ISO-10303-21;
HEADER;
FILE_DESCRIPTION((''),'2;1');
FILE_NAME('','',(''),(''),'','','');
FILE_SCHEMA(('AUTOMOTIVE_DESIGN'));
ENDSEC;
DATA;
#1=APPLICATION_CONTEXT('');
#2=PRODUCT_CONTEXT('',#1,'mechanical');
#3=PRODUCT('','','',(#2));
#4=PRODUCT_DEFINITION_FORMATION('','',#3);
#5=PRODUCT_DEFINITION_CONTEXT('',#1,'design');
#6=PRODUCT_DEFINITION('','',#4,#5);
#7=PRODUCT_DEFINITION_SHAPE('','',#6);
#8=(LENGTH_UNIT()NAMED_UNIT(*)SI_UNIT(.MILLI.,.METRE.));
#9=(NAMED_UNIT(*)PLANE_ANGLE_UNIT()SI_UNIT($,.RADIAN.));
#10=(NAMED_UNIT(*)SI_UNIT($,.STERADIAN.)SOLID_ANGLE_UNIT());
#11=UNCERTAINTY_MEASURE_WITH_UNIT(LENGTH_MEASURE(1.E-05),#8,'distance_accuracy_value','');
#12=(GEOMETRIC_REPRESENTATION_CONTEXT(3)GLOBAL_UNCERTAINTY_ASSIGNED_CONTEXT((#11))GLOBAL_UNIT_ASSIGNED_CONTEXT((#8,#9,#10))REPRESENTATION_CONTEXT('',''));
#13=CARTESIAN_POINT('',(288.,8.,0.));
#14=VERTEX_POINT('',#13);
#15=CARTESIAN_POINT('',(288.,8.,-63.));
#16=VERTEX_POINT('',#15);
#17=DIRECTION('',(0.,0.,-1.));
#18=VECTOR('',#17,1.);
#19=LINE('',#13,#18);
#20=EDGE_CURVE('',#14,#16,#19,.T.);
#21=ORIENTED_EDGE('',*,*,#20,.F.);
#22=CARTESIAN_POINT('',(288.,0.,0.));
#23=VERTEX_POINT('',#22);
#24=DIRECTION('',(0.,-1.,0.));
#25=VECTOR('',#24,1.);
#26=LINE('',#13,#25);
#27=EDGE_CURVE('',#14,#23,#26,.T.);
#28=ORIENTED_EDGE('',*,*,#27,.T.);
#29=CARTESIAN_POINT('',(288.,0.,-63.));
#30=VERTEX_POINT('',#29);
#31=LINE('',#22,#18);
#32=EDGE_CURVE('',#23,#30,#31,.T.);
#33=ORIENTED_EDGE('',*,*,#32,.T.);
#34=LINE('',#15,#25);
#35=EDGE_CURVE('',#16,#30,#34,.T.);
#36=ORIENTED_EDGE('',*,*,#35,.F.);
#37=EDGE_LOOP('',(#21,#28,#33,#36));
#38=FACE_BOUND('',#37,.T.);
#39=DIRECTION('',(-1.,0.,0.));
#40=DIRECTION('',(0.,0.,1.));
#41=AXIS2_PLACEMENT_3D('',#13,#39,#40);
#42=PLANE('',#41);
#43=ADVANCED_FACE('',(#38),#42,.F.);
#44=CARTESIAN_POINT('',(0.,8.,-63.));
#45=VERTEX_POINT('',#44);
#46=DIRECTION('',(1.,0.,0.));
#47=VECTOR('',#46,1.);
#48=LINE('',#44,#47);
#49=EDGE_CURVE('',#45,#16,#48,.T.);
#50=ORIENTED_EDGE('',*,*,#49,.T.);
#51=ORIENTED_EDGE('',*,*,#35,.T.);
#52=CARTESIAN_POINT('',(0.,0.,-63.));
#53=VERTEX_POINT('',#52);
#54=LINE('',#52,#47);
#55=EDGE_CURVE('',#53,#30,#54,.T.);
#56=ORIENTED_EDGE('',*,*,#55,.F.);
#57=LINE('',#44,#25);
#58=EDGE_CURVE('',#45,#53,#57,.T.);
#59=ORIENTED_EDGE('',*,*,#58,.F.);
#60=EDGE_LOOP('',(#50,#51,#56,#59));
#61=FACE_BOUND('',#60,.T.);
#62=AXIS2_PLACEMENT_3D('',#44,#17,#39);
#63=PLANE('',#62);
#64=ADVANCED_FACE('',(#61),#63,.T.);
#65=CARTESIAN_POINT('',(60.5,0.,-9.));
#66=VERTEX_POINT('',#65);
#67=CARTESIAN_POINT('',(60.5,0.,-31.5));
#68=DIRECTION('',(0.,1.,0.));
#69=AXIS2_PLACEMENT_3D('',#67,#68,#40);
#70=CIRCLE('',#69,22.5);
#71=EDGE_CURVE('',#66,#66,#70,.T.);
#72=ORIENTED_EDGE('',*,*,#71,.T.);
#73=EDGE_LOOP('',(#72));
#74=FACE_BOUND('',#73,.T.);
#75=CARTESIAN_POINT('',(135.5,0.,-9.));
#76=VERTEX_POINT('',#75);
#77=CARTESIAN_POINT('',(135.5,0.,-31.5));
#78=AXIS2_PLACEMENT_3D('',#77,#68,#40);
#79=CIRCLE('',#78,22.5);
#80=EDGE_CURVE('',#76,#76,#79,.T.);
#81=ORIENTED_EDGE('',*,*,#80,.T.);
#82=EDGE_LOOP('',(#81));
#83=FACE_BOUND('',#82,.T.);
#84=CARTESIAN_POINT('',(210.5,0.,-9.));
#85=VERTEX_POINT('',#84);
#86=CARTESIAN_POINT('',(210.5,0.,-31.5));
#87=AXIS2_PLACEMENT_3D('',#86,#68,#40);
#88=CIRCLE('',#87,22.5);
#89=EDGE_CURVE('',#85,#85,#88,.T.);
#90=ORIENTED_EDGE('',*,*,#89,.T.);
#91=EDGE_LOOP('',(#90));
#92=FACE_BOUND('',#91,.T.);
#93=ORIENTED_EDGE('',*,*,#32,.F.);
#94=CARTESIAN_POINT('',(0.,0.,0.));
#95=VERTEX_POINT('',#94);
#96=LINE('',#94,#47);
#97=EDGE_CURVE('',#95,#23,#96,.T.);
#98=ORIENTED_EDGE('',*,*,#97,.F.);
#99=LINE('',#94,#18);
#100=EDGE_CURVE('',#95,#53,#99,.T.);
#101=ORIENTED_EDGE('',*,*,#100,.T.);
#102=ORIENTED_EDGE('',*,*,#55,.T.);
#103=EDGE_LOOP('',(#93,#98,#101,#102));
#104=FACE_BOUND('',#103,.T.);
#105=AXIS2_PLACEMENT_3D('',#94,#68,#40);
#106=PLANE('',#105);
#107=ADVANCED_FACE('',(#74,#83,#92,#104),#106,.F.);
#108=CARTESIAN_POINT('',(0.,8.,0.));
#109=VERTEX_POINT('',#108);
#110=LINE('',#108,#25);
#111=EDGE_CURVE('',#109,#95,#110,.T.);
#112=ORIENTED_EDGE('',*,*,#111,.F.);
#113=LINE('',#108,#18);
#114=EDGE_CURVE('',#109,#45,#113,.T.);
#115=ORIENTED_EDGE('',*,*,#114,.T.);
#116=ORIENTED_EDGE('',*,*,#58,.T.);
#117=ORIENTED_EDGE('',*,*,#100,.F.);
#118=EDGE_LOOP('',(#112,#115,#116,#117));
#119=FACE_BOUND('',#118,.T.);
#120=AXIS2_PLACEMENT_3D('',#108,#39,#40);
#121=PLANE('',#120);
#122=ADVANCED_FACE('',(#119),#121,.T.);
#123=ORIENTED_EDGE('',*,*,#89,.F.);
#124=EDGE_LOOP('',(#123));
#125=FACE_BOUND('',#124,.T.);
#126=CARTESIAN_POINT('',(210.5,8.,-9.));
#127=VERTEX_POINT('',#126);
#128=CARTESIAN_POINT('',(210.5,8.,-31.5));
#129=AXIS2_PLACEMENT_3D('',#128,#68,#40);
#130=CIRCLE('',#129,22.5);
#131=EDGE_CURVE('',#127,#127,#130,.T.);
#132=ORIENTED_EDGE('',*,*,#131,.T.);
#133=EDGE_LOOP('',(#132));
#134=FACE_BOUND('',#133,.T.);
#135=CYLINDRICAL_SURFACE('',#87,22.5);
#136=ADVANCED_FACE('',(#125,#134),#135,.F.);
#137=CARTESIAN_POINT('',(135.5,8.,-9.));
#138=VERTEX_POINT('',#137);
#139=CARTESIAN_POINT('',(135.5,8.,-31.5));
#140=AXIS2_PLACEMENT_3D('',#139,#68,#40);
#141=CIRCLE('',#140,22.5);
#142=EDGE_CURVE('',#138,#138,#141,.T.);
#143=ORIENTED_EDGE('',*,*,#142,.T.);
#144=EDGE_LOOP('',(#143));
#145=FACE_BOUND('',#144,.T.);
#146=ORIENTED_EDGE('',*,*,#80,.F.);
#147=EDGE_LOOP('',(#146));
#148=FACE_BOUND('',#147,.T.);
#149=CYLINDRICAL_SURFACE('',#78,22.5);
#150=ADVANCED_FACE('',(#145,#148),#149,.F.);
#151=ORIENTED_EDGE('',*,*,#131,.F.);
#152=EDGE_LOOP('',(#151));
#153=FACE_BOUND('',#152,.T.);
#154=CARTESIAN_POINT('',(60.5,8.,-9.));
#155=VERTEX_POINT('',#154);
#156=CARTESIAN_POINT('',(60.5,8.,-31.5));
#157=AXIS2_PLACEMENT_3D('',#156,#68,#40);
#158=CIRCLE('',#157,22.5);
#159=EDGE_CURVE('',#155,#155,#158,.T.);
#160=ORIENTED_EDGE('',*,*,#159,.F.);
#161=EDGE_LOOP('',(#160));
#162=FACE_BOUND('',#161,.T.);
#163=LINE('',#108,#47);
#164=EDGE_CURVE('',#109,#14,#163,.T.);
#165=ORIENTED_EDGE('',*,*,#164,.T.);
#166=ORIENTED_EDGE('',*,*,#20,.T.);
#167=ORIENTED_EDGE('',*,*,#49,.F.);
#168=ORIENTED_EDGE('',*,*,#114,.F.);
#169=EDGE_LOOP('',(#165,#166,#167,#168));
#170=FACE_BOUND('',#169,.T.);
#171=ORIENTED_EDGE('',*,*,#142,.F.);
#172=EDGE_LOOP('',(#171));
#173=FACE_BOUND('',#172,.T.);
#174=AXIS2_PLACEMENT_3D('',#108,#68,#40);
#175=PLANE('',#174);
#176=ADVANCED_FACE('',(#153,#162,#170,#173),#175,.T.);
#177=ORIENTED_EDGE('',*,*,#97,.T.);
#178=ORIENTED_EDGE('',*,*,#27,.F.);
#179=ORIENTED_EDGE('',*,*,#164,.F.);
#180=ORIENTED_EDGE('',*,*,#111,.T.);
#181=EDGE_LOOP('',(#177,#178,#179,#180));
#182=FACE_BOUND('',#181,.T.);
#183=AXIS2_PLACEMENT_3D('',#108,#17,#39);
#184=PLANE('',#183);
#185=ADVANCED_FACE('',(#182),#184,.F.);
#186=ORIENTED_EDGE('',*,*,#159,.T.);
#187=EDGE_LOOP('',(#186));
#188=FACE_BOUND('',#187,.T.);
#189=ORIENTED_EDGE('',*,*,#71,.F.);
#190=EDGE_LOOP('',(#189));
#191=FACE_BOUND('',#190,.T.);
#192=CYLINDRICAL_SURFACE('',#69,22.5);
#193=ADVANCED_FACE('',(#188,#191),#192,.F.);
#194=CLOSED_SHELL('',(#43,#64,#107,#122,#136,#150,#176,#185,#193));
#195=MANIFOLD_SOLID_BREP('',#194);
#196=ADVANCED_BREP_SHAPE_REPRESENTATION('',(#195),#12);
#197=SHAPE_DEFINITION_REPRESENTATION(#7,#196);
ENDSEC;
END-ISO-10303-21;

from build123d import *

# Parameters (mm, degrees)
SKETCH_1_W          = 288
SKETCH_1_H          = 63
EXTRUDE_1_DEPTH     = 8
SKETCH_2_R          = 22.5
CUT_EXTRUDE_1_DEPTH = 8
SKETCH_2_3_R        = 22.5
CUT_EXTRUDE_2_DEPTH = 8
SKETCH_2_4_R        = 22.5
CUT_EXTRUDE_3_DEPTH = 8


with BuildPart() as part:
    # Эскиз1 → Бобышка-Вытянуть1 (new body)
    with BuildSketch(Plane(origin=(0, 0, 0), x_dir=(1, 0, 0), z_dir=(0, 1, 0))):
        with Locations((144, 31.5)):
            Rectangle(SKETCH_1_W, SKETCH_1_H)
    extrude(amount=EXTRUDE_1_DEPTH)

    # Эскиз2 → Вырез-Вытянуть1 (cut)
    with BuildSketch(Plane(origin=(0, 8, 0), x_dir=(1, 0, 0), z_dir=(0, 1, 0))):
        with Locations((60.5, 31.5)):
            Circle(SKETCH_2_R)
    extrude(amount=-CUT_EXTRUDE_1_DEPTH, mode=Mode.SUBTRACT)

    # Эскиз2<3> → Вырез-Вытянуть2 (cut)
    with BuildSketch(Plane(origin=(0, 8, 0), x_dir=(1, 0, 0), z_dir=(0, 1, 0))):
        with Locations((135.5, 31.5)):
            Circle(SKETCH_2_3_R)
    extrude(amount=-CUT_EXTRUDE_2_DEPTH, mode=Mode.SUBTRACT)

    # Эскиз2<4> → Вырез-Вытянуть3 (cut)
    with BuildSketch(Plane(origin=(0, 8, 0), x_dir=(1, 0, 0), z_dir=(0, 1, 0))):
        with Locations((210.5, 31.5)):
            Circle(SKETCH_2_4_R)
    extrude(amount=-CUT_EXTRUDE_3_DEPTH, mode=Mode.SUBTRACT)


solid = part.part
